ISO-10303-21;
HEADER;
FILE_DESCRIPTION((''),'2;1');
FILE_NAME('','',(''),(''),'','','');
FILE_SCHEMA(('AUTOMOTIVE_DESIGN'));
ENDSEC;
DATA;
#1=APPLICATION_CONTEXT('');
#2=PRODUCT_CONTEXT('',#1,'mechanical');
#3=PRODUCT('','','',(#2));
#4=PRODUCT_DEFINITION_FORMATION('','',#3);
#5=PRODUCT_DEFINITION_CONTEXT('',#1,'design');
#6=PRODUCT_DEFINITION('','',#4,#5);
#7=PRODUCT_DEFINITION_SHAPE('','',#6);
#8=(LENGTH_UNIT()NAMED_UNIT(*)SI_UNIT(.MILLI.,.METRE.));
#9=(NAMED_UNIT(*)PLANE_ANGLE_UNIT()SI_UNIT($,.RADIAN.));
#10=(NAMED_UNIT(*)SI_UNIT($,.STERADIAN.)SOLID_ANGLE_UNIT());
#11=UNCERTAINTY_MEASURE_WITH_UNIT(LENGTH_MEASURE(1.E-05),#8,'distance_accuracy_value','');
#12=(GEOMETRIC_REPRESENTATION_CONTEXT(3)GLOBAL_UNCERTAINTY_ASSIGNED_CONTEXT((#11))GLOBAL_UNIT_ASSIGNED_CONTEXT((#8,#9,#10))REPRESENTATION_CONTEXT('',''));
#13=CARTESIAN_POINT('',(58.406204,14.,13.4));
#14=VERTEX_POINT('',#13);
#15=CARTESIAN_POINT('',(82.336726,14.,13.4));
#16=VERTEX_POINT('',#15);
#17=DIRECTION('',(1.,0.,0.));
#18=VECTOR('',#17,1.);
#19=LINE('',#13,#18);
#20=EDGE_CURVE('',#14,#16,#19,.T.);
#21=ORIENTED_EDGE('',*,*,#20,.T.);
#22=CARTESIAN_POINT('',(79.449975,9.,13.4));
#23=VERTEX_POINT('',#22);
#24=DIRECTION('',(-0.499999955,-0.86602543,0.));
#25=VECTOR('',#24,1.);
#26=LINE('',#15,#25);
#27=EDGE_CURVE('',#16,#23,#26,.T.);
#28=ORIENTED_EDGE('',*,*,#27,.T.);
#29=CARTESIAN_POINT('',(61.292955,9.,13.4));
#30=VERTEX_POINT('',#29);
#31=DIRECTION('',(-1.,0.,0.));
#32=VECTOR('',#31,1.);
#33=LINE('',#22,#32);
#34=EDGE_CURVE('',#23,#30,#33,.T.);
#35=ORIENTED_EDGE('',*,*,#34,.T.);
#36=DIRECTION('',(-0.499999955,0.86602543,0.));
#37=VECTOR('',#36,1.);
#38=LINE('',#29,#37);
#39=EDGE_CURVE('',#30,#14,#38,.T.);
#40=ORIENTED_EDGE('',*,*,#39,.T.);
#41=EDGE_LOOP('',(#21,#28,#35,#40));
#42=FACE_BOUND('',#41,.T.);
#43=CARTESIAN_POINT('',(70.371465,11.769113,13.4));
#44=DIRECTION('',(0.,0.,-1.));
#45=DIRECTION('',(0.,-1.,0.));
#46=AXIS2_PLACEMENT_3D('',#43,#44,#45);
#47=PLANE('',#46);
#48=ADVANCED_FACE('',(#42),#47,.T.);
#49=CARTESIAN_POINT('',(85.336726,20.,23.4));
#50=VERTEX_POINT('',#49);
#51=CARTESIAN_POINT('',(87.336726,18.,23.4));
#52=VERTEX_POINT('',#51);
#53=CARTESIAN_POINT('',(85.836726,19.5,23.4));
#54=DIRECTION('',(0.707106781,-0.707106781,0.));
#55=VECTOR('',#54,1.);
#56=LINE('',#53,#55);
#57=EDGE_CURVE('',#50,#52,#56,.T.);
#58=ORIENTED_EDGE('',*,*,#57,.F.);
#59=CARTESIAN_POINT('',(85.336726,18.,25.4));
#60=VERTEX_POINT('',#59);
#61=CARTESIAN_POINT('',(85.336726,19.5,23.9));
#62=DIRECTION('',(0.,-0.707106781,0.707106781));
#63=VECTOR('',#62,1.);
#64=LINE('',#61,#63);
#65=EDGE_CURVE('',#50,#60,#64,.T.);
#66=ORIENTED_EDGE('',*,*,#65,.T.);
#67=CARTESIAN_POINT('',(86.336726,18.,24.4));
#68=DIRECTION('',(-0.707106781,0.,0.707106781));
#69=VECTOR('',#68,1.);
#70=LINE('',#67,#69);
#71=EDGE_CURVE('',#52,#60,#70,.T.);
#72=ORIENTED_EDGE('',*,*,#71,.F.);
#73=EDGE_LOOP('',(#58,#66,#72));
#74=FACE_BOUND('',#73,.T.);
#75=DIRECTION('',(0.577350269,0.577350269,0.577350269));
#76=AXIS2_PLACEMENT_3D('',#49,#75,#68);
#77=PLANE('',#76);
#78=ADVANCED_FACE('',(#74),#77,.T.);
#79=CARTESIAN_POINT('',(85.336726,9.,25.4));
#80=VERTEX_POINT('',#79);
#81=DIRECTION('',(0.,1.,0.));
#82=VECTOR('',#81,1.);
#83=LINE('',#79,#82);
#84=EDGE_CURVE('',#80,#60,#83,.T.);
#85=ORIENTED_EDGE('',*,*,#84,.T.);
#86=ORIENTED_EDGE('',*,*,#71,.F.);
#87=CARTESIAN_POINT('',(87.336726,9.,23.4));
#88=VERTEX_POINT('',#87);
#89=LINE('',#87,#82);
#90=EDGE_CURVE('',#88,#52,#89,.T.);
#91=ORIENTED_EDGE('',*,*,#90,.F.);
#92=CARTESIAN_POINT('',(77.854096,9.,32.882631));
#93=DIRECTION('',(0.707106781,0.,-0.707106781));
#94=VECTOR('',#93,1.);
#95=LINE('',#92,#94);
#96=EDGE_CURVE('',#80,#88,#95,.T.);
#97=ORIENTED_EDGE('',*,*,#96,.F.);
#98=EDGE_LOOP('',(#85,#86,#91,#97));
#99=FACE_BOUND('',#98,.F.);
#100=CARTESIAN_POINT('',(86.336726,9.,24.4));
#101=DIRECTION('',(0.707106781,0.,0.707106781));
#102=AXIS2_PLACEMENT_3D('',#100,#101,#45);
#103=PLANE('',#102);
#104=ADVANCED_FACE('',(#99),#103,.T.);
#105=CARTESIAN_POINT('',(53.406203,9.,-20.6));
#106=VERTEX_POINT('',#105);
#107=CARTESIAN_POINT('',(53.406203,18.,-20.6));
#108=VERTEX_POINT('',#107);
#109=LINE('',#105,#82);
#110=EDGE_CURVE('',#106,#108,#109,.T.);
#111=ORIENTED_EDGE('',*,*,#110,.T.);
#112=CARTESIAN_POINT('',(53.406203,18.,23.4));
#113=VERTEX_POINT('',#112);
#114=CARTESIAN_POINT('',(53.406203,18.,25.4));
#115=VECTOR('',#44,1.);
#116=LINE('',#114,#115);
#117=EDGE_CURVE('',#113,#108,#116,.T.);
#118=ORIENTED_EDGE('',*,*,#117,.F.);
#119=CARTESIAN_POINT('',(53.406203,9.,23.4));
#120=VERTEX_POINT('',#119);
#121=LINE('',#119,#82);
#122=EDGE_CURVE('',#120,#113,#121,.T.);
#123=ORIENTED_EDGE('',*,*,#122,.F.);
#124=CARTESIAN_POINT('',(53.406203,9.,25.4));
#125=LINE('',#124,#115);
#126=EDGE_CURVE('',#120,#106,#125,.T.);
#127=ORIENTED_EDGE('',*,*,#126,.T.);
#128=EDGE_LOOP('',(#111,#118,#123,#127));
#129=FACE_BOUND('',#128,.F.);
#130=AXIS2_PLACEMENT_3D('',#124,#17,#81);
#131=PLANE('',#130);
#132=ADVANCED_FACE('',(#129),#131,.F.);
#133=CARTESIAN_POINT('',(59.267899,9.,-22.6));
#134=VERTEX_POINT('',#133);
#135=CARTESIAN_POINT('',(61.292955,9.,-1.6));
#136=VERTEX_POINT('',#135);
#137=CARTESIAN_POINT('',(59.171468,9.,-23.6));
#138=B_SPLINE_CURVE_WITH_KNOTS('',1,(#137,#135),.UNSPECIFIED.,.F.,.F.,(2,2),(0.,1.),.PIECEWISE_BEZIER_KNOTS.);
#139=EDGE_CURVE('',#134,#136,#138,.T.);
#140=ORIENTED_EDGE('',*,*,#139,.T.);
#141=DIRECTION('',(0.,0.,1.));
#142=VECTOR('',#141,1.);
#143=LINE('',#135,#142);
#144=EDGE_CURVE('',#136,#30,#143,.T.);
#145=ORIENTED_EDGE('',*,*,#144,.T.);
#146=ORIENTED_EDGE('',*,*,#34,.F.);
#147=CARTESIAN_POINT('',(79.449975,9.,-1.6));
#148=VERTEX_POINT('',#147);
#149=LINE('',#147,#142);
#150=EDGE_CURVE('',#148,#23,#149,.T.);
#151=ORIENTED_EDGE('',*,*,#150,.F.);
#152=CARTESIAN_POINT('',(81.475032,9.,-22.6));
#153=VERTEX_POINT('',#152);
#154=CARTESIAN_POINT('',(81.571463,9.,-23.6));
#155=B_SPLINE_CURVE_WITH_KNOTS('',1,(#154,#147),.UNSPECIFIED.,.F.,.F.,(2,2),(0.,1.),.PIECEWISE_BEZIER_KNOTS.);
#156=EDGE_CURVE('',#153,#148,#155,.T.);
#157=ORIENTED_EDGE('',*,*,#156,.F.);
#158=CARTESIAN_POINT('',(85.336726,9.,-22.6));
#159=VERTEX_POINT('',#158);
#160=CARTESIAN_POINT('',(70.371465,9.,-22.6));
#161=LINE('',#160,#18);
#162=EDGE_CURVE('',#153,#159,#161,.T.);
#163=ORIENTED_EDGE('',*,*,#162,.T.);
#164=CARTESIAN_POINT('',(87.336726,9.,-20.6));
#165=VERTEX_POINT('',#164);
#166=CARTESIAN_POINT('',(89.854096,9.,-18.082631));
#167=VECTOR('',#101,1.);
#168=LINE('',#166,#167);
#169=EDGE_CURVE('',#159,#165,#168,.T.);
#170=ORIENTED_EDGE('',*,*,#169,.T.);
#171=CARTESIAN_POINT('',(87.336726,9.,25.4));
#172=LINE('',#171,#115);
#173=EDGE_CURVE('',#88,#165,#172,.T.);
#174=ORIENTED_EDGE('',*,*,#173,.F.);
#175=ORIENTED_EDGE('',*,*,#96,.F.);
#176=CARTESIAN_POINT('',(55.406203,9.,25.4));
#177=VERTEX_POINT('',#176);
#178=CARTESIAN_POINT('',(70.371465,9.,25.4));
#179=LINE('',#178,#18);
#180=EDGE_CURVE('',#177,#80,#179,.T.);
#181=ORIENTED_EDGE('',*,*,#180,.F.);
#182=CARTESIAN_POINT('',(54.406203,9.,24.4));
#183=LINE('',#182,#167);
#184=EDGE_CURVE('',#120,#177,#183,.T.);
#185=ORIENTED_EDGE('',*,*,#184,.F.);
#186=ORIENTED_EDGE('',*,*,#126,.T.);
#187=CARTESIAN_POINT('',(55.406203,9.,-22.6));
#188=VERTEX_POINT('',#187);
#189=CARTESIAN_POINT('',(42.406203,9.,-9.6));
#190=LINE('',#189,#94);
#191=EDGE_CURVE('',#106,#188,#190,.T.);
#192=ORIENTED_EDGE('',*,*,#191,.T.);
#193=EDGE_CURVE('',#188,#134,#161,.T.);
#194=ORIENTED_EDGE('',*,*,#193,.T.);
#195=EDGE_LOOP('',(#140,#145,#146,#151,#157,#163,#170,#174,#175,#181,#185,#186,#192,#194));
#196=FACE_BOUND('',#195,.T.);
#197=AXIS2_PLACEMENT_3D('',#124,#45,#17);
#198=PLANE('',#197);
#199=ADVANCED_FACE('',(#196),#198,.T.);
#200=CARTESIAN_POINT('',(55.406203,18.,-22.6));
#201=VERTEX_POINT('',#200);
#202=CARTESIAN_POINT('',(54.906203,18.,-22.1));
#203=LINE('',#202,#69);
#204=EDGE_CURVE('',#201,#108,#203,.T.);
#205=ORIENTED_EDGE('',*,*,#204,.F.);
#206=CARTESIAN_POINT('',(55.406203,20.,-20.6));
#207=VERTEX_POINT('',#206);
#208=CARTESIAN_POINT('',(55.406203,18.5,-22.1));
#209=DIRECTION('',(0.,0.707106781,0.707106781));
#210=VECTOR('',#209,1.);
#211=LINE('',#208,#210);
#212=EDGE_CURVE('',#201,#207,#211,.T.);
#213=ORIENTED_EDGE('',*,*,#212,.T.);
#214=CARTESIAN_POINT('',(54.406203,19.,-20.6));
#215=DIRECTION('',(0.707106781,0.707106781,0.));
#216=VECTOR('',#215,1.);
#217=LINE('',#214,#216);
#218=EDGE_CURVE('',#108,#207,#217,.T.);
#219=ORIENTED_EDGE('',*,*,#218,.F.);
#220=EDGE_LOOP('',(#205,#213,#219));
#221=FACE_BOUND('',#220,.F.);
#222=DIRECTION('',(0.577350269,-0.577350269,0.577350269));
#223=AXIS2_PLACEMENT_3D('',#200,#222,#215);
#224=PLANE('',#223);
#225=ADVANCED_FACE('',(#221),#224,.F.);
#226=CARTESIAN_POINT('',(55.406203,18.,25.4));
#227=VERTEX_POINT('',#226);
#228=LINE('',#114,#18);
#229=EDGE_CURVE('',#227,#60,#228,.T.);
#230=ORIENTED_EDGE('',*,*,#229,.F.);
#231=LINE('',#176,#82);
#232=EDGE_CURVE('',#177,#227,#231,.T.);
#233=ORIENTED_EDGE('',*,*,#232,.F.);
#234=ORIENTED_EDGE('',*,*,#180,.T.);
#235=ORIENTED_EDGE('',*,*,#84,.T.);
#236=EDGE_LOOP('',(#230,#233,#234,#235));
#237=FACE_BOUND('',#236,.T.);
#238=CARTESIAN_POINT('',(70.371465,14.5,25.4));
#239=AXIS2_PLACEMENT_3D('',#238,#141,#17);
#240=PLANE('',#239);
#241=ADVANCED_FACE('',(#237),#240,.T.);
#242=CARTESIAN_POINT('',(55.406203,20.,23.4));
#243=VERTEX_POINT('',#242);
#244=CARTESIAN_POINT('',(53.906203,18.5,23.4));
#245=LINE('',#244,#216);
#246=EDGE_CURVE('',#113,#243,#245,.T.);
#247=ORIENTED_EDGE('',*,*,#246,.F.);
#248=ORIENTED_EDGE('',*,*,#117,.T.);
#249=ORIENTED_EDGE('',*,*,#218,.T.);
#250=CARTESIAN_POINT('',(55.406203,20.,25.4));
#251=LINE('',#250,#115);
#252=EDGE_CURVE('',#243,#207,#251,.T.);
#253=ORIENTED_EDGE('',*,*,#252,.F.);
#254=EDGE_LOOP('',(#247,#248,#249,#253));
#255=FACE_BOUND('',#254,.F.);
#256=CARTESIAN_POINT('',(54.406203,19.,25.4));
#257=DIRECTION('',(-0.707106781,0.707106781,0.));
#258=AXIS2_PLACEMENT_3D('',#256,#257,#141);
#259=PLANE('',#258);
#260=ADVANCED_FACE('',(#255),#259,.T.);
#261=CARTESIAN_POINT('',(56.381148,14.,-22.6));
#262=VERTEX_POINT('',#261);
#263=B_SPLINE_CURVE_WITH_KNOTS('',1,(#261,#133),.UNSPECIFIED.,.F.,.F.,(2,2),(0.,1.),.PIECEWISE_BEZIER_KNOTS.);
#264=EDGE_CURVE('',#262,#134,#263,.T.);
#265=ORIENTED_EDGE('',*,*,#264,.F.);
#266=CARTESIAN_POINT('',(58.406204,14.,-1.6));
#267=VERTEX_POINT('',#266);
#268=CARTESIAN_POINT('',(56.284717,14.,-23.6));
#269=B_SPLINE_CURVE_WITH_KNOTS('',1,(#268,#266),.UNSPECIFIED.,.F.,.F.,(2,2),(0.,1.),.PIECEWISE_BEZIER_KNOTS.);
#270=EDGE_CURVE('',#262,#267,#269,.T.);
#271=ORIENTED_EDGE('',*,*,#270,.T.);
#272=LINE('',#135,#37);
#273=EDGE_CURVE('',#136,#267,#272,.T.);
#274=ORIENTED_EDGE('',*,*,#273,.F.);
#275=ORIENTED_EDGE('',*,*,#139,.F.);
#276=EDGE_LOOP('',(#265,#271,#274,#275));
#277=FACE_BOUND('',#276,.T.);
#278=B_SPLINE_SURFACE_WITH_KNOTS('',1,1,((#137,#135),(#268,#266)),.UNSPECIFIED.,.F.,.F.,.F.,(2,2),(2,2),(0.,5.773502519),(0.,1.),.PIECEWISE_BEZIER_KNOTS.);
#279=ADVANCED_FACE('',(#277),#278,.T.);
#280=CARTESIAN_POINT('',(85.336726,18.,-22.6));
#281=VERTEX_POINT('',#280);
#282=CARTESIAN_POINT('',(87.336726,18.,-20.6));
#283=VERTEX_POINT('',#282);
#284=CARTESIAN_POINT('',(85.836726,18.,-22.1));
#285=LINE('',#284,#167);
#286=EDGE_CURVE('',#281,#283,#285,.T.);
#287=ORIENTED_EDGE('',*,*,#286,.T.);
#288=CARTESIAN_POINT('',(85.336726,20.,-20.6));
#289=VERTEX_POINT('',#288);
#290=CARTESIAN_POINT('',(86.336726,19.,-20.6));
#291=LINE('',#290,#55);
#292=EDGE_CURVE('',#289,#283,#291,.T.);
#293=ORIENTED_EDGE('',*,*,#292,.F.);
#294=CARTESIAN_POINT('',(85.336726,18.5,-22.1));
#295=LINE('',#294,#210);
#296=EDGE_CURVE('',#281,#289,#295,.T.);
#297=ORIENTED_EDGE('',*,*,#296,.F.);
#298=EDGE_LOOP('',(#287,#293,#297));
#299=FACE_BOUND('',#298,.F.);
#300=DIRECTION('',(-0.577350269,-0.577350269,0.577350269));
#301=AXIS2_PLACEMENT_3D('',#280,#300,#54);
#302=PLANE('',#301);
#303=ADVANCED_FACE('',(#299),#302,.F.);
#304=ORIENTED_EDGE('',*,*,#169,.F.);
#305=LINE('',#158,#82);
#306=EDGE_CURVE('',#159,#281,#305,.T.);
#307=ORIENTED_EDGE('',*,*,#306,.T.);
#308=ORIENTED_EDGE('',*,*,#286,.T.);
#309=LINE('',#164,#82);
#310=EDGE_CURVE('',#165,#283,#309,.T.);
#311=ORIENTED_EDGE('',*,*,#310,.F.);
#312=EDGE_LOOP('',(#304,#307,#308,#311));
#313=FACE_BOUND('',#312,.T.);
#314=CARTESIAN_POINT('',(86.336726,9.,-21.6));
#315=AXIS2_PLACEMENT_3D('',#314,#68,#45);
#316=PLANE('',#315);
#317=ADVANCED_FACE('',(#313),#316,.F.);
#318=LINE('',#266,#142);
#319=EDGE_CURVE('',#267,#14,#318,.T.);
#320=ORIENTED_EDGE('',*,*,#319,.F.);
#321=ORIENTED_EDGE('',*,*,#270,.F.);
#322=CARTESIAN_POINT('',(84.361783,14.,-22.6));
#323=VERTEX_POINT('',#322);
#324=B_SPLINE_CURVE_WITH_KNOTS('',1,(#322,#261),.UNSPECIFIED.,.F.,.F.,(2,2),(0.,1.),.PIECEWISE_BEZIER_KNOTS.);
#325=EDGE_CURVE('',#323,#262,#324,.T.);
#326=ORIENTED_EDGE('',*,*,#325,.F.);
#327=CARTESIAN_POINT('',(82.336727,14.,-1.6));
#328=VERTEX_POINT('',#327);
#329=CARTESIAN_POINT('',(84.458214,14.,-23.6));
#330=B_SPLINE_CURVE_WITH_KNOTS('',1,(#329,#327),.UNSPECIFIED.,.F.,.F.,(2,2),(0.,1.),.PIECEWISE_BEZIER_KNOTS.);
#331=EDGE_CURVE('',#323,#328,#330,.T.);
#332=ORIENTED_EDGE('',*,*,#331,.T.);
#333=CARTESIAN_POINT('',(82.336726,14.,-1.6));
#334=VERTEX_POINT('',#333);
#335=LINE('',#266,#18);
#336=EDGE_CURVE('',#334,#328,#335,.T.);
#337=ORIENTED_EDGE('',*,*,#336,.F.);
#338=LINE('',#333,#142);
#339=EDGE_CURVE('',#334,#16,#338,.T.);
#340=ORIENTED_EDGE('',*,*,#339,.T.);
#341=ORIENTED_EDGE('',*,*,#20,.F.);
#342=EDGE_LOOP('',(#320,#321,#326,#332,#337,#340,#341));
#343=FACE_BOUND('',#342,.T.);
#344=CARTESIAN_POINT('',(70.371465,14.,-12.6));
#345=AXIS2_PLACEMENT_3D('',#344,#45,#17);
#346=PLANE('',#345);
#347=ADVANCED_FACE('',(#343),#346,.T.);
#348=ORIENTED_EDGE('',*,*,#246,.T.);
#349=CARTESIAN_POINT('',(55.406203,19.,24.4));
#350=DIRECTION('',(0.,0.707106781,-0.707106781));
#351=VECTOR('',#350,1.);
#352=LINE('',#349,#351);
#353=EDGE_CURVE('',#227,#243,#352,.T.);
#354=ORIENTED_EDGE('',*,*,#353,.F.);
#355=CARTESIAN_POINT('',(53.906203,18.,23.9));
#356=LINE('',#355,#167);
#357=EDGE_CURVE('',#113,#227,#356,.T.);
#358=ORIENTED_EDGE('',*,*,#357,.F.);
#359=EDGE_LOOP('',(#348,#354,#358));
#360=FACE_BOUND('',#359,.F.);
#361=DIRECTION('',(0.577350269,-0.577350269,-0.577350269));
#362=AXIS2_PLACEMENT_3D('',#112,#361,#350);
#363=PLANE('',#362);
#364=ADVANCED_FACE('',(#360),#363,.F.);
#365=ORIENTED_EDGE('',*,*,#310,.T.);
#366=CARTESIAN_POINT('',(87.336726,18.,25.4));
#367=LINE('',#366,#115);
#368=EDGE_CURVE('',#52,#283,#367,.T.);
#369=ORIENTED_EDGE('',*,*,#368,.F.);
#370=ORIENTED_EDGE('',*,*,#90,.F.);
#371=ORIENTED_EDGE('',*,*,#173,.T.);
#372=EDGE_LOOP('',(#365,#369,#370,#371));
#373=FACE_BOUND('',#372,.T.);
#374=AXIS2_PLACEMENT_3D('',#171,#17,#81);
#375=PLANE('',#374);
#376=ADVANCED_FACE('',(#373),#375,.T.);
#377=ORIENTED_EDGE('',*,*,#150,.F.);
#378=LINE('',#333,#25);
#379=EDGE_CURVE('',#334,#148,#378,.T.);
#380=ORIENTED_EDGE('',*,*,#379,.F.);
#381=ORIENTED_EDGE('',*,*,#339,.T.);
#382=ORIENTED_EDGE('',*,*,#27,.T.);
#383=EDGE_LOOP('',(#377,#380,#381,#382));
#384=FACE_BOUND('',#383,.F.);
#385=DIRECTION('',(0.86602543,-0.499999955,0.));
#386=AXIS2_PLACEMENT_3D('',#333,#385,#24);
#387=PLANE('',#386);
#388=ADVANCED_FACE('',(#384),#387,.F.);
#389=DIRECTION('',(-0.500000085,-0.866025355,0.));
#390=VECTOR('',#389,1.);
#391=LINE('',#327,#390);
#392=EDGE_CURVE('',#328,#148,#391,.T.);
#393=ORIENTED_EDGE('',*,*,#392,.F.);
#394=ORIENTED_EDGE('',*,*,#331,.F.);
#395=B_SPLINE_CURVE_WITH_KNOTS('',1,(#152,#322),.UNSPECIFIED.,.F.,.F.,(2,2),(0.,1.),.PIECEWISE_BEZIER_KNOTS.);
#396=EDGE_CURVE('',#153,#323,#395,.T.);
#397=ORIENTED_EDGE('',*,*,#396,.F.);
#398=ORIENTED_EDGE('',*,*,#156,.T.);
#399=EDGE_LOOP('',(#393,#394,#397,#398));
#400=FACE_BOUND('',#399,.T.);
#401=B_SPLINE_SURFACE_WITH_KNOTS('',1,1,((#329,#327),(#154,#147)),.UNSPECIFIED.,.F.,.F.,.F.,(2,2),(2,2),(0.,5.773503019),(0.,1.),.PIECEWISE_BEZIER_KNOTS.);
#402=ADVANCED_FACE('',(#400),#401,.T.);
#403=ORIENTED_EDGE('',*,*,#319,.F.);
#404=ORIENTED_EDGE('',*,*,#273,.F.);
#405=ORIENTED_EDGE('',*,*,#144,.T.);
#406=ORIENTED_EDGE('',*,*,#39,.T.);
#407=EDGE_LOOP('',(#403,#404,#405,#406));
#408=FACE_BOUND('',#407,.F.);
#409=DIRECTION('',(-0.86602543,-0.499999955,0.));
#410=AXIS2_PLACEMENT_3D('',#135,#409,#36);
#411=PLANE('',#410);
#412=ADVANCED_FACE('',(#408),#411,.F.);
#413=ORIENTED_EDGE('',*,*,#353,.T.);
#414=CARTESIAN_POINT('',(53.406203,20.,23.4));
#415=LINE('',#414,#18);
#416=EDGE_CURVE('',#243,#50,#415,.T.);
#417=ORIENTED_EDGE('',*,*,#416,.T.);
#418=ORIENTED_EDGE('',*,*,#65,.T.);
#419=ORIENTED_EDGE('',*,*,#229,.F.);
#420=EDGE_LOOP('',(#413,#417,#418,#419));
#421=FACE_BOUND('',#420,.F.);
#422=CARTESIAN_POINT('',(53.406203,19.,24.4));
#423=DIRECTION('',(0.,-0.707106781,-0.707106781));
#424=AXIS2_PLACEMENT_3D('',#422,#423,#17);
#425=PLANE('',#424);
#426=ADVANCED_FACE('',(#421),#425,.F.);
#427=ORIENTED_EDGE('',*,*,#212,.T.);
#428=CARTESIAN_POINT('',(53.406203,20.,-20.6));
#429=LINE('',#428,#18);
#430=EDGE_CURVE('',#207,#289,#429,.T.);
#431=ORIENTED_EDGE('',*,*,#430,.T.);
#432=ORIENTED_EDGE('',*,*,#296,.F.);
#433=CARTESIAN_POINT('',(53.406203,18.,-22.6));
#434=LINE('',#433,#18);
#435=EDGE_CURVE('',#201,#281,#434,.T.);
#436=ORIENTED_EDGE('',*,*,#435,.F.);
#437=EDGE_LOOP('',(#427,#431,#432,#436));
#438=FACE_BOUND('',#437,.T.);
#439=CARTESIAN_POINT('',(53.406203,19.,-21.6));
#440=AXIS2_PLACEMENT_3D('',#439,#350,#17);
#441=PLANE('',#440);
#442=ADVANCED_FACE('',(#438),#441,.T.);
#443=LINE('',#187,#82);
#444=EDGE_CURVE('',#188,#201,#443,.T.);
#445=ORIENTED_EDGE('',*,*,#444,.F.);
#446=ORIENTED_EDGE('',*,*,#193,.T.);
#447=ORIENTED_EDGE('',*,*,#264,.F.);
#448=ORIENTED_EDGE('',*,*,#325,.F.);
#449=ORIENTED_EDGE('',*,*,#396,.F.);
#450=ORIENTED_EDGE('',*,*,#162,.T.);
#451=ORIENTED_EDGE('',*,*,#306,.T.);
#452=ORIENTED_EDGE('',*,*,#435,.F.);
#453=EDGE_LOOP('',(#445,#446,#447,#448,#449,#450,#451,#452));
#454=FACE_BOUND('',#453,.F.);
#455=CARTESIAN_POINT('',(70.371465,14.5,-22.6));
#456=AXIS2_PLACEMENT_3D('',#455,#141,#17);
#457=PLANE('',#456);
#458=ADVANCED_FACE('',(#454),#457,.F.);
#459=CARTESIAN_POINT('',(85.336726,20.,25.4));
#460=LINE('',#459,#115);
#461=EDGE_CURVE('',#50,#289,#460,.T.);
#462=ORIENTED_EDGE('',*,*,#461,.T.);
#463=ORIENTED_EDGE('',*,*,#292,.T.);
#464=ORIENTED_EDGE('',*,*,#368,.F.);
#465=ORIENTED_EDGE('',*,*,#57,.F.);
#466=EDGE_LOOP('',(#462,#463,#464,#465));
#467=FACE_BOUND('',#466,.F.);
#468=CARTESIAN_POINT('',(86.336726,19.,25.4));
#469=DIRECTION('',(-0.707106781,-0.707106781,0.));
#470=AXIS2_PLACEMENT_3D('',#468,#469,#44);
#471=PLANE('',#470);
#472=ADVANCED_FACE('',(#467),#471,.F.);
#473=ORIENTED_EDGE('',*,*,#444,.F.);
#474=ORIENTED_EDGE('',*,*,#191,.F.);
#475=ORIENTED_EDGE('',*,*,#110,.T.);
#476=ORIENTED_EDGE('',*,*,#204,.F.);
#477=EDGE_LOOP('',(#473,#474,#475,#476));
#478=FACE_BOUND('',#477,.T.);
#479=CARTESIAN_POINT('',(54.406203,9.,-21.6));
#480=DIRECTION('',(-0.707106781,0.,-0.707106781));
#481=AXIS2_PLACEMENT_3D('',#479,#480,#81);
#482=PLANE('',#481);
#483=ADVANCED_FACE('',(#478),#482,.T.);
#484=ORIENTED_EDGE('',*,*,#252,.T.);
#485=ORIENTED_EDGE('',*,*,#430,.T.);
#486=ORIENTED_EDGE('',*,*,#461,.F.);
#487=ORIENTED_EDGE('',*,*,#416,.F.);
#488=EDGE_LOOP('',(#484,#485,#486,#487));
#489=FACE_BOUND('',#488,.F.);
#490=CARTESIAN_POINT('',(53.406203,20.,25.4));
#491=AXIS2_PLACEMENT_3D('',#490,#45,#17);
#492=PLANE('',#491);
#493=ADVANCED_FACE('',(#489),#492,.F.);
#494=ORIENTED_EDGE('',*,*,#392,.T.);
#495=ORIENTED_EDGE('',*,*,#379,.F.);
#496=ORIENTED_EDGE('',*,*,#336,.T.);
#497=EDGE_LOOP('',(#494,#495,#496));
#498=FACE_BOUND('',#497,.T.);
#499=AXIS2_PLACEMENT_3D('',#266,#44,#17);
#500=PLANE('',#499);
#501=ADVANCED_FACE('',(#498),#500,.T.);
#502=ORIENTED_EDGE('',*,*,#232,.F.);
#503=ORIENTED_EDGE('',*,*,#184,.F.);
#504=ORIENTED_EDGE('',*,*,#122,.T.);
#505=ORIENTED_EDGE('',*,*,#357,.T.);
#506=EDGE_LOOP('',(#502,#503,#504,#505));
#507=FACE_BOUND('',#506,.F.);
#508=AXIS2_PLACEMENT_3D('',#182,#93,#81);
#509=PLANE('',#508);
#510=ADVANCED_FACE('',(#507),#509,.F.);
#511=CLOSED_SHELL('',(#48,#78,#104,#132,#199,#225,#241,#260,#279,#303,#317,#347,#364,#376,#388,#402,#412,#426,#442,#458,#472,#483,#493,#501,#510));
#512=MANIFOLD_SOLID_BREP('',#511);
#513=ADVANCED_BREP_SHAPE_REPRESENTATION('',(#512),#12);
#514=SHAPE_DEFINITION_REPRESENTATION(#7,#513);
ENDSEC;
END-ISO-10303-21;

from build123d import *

# Parameters (mm, degrees)
SKETCH039_W     = 33.930523
SKETCH039_H     = 11
PAD014_DEPTH    = 48
POCKET014_DEPTH = 15
CHAMFER002_SIZE = 2


with BuildPart() as part:
    # Sketch039 (on Face1 of Binder017) → Pad014 (new body)
    with BuildSketch(Plane.XY.offset(25.4)):
        with Locations((70.371465, 14.5)):
            Rectangle(SKETCH039_W, SKETCH039_H)
    extrude(amount=-PAD014_DEPTH)

    # Sketch041 (on Face1 of Binder019) → SubtractiveLoft section 0
    with BuildSketch(Plane(origin=(0, 0, -23.6), x_dir=(1, 0, 0), z_dir=(0, 0, -1))):
        Polygon((56.284717, -14), (84.458214, -14), (81.571463, -9), (59.171468, -9), align=None)
    # Sketch040 (on Face1 of Binder018) → SubtractiveLoft section 1
    with BuildSketch(Plane.XY.offset(-1.6)):
        Polygon((58.406204, 14), (82.336727, 14), (79.449975, 9), (61.292955, 9), align=None)
    loft(mode=Mode.SUBTRACT)

    # SubtractiveLoft Face6 → Pocket014 (cut)
    with BuildSketch(Plane(origin=(70.371465, 11.614315, -1.6), x_dir=(0, -1, 0), z_dir=(0, 0, -1))):
        Polygon((-2.385685, 11.965261), (-2.385685, -11.965261), (2.614315, -9.07851), (2.614315, 9.07851), align=None)
    extrude(amount=-POCKET014_DEPTH, mode=Mode.SUBTRACT)

    # Chamfer002
    chamfer002_edges = [part.edges().sort_by_distance(p)[0] for p in [
        (87.336727, 14.5, 25.4),
        (87.336727, 20, 1.4),
        (70.371465, 20, 25.4),
        (53.406204, 14.5, 25.4),
        (53.406204, 20, 1.4),
        (53.406204, 14.5, -22.6),
        (70.371465, 20, -22.6),
        (87.336727, 14.5, -22.6),
    ]]
    chamfer(chamfer002_edges, length=CHAMFER002_SIZE)


solid = part.part
